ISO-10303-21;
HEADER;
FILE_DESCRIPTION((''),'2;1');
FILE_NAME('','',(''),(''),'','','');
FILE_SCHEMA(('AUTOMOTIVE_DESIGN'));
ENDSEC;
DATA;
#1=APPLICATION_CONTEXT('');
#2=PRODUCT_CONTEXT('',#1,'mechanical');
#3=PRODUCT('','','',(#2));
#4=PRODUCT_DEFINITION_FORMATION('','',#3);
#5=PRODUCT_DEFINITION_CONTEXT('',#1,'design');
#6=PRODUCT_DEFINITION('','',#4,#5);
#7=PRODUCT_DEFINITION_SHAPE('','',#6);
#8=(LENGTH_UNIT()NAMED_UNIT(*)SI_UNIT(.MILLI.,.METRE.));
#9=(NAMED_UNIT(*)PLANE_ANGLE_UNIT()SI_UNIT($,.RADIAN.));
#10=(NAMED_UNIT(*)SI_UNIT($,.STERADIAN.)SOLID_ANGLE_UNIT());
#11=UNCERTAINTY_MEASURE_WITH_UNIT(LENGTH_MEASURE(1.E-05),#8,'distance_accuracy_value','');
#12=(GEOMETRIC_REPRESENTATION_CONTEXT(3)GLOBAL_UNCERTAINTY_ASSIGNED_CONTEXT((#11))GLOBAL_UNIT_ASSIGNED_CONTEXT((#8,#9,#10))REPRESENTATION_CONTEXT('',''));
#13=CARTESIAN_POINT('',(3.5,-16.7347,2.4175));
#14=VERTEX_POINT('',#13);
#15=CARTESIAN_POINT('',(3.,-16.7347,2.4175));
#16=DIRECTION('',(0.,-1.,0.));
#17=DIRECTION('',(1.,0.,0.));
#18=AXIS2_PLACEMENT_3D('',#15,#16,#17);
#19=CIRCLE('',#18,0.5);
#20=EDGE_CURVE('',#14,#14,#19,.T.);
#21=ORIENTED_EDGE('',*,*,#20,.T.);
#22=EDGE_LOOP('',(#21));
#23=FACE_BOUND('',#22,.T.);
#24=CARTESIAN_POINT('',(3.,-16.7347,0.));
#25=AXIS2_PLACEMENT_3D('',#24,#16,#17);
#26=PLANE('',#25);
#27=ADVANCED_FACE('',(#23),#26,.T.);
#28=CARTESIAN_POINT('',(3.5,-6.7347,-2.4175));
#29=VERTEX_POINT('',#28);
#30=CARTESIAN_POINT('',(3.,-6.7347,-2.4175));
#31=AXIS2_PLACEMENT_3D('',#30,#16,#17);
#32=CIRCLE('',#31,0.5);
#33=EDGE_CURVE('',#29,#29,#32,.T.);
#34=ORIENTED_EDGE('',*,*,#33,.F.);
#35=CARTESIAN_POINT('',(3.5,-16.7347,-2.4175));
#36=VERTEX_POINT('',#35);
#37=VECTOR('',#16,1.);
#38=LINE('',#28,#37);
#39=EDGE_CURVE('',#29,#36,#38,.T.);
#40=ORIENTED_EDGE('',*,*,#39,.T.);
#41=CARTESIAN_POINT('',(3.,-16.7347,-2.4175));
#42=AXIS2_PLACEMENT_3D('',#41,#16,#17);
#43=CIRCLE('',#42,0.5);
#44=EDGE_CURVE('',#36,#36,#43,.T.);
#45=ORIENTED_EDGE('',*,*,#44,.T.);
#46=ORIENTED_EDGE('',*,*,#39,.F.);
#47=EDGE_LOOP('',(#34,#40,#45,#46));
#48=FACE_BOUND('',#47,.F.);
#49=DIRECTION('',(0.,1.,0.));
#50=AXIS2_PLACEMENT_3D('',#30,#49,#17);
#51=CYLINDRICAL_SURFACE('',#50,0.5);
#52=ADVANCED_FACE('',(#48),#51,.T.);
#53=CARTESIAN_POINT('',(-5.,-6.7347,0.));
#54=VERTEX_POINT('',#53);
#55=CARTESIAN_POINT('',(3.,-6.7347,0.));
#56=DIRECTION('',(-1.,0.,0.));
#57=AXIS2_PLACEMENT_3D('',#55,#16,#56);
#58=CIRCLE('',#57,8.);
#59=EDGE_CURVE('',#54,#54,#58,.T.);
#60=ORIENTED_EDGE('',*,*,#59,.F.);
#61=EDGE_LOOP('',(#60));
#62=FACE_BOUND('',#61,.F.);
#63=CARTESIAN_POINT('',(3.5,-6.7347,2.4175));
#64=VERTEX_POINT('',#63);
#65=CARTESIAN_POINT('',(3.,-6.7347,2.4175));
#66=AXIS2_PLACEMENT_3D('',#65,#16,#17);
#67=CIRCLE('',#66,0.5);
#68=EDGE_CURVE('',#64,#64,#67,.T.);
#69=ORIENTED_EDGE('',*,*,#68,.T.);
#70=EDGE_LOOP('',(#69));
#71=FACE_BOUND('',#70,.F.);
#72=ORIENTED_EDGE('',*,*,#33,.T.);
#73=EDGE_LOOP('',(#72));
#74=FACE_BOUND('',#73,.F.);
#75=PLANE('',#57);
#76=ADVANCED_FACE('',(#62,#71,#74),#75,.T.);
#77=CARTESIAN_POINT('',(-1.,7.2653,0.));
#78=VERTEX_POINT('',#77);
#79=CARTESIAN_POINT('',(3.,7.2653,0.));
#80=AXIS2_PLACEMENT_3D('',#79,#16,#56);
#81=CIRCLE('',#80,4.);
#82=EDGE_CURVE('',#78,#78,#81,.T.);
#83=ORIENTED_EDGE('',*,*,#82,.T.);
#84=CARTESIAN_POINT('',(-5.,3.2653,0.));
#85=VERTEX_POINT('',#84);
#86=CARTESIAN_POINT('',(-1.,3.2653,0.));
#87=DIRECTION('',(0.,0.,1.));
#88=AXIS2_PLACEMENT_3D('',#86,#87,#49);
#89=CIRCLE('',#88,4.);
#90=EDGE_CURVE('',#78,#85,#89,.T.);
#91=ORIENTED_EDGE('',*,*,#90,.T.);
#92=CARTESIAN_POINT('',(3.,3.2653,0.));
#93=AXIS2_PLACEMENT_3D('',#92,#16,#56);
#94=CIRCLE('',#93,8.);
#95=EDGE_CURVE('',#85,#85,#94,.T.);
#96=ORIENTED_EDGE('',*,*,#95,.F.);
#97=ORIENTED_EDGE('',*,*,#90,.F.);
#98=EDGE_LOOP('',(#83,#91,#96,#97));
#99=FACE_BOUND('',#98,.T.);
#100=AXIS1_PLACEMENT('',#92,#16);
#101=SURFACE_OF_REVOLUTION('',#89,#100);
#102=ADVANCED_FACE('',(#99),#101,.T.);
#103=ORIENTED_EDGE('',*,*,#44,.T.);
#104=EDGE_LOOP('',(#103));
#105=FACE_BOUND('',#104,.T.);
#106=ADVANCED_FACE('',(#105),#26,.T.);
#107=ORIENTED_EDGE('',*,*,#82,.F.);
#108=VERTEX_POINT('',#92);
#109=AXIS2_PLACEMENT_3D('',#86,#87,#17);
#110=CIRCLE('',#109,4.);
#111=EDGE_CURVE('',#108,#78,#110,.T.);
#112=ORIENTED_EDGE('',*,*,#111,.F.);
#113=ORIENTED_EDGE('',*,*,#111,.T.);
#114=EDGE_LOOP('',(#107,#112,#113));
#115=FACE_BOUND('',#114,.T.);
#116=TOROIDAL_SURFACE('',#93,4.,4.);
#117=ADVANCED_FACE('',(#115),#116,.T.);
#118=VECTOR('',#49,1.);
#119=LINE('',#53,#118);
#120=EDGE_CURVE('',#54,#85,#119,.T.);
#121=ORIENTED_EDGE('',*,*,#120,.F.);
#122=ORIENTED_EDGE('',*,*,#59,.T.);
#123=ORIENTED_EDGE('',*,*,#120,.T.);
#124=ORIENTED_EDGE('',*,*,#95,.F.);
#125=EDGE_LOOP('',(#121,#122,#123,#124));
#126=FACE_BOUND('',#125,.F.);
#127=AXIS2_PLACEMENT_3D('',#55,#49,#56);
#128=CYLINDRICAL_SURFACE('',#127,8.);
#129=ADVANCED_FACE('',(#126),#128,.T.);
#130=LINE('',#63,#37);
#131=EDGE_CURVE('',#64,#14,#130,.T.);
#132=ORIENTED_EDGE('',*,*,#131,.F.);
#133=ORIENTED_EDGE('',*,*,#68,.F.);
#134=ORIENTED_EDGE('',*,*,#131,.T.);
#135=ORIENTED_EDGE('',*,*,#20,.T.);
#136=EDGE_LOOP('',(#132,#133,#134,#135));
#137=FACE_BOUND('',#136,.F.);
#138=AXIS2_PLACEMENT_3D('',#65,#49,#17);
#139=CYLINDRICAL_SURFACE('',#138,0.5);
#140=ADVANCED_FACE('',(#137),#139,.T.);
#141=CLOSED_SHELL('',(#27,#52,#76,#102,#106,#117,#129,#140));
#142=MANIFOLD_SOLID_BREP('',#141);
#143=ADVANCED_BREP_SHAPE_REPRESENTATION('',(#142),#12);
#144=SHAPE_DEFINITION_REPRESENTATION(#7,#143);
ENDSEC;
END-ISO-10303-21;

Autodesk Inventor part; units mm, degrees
ref_plane "YZ Plane" through (0, 0, 0) normal (1, 0, 0) x (0, 1, 0)
ref_plane "XZ Plane" through (0, 0, 0) normal (0, 1, 0) x (-1, 0, 0)
ref_plane "XY Plane" through (0, 0, 0) normal (0, 0, 1) x (1, 0, 0)
sketch "Sketch1" plane through (0, 0, 0) normal (0, 0, 1) x (1, 0, 0)
  line L0 (3, -6.7347) -> (-5, -6.7347)
  line L1 (-5, -6.7347) -> (-5, 3.2653)
  line L2 (-1, 7.2653) -> (-1, 7.2653)
  line L3 (3, 3.2653) -> (3, -6.7347)
  arc A0 (3, 3.2653) -> (-1, 7.2653) centre (-1, 3.2653) ccw
  arc A1 (-1, 7.2653) -> (-5, 3.2653) centre (-1, 3.2653) ccw
  point P0 (0, 0)
  point P1 (-5, 7.2653)
  point P2 (3, 7.2653)
  point P3 (-1, 7.2653)
  dimension "d0" = 8
  dimension "d1" = 14
  dimension "d2" = 4
revolve "Revolution1" add sketch "Sketch1" angle 360 about axis through (3, 3.2653, 0) along (0, -1, 0)
sketch "Sketch2" plane through (3, -6.7347, 0) normal (0, -1, 0) x (1, 0, 0)
  circle A0 centre (0, 2.4175) radius 0.5
  circle A1 centre (0, -2.4175) radius 0.5
  point P0 (-3, 0)
  dimension "d4" = 1
  dimension "d5" = 1
  dimension "d8" = 4.8351
sketch "Sketch3" plane through (3, -6.7347, 0) normal (0, -1, 0) x (1, 0, 0)
  point P0 (-3, 0)
extrude "Extrusion1" add sketch "Sketch2" along normal blind 10
properties part number "LED"
